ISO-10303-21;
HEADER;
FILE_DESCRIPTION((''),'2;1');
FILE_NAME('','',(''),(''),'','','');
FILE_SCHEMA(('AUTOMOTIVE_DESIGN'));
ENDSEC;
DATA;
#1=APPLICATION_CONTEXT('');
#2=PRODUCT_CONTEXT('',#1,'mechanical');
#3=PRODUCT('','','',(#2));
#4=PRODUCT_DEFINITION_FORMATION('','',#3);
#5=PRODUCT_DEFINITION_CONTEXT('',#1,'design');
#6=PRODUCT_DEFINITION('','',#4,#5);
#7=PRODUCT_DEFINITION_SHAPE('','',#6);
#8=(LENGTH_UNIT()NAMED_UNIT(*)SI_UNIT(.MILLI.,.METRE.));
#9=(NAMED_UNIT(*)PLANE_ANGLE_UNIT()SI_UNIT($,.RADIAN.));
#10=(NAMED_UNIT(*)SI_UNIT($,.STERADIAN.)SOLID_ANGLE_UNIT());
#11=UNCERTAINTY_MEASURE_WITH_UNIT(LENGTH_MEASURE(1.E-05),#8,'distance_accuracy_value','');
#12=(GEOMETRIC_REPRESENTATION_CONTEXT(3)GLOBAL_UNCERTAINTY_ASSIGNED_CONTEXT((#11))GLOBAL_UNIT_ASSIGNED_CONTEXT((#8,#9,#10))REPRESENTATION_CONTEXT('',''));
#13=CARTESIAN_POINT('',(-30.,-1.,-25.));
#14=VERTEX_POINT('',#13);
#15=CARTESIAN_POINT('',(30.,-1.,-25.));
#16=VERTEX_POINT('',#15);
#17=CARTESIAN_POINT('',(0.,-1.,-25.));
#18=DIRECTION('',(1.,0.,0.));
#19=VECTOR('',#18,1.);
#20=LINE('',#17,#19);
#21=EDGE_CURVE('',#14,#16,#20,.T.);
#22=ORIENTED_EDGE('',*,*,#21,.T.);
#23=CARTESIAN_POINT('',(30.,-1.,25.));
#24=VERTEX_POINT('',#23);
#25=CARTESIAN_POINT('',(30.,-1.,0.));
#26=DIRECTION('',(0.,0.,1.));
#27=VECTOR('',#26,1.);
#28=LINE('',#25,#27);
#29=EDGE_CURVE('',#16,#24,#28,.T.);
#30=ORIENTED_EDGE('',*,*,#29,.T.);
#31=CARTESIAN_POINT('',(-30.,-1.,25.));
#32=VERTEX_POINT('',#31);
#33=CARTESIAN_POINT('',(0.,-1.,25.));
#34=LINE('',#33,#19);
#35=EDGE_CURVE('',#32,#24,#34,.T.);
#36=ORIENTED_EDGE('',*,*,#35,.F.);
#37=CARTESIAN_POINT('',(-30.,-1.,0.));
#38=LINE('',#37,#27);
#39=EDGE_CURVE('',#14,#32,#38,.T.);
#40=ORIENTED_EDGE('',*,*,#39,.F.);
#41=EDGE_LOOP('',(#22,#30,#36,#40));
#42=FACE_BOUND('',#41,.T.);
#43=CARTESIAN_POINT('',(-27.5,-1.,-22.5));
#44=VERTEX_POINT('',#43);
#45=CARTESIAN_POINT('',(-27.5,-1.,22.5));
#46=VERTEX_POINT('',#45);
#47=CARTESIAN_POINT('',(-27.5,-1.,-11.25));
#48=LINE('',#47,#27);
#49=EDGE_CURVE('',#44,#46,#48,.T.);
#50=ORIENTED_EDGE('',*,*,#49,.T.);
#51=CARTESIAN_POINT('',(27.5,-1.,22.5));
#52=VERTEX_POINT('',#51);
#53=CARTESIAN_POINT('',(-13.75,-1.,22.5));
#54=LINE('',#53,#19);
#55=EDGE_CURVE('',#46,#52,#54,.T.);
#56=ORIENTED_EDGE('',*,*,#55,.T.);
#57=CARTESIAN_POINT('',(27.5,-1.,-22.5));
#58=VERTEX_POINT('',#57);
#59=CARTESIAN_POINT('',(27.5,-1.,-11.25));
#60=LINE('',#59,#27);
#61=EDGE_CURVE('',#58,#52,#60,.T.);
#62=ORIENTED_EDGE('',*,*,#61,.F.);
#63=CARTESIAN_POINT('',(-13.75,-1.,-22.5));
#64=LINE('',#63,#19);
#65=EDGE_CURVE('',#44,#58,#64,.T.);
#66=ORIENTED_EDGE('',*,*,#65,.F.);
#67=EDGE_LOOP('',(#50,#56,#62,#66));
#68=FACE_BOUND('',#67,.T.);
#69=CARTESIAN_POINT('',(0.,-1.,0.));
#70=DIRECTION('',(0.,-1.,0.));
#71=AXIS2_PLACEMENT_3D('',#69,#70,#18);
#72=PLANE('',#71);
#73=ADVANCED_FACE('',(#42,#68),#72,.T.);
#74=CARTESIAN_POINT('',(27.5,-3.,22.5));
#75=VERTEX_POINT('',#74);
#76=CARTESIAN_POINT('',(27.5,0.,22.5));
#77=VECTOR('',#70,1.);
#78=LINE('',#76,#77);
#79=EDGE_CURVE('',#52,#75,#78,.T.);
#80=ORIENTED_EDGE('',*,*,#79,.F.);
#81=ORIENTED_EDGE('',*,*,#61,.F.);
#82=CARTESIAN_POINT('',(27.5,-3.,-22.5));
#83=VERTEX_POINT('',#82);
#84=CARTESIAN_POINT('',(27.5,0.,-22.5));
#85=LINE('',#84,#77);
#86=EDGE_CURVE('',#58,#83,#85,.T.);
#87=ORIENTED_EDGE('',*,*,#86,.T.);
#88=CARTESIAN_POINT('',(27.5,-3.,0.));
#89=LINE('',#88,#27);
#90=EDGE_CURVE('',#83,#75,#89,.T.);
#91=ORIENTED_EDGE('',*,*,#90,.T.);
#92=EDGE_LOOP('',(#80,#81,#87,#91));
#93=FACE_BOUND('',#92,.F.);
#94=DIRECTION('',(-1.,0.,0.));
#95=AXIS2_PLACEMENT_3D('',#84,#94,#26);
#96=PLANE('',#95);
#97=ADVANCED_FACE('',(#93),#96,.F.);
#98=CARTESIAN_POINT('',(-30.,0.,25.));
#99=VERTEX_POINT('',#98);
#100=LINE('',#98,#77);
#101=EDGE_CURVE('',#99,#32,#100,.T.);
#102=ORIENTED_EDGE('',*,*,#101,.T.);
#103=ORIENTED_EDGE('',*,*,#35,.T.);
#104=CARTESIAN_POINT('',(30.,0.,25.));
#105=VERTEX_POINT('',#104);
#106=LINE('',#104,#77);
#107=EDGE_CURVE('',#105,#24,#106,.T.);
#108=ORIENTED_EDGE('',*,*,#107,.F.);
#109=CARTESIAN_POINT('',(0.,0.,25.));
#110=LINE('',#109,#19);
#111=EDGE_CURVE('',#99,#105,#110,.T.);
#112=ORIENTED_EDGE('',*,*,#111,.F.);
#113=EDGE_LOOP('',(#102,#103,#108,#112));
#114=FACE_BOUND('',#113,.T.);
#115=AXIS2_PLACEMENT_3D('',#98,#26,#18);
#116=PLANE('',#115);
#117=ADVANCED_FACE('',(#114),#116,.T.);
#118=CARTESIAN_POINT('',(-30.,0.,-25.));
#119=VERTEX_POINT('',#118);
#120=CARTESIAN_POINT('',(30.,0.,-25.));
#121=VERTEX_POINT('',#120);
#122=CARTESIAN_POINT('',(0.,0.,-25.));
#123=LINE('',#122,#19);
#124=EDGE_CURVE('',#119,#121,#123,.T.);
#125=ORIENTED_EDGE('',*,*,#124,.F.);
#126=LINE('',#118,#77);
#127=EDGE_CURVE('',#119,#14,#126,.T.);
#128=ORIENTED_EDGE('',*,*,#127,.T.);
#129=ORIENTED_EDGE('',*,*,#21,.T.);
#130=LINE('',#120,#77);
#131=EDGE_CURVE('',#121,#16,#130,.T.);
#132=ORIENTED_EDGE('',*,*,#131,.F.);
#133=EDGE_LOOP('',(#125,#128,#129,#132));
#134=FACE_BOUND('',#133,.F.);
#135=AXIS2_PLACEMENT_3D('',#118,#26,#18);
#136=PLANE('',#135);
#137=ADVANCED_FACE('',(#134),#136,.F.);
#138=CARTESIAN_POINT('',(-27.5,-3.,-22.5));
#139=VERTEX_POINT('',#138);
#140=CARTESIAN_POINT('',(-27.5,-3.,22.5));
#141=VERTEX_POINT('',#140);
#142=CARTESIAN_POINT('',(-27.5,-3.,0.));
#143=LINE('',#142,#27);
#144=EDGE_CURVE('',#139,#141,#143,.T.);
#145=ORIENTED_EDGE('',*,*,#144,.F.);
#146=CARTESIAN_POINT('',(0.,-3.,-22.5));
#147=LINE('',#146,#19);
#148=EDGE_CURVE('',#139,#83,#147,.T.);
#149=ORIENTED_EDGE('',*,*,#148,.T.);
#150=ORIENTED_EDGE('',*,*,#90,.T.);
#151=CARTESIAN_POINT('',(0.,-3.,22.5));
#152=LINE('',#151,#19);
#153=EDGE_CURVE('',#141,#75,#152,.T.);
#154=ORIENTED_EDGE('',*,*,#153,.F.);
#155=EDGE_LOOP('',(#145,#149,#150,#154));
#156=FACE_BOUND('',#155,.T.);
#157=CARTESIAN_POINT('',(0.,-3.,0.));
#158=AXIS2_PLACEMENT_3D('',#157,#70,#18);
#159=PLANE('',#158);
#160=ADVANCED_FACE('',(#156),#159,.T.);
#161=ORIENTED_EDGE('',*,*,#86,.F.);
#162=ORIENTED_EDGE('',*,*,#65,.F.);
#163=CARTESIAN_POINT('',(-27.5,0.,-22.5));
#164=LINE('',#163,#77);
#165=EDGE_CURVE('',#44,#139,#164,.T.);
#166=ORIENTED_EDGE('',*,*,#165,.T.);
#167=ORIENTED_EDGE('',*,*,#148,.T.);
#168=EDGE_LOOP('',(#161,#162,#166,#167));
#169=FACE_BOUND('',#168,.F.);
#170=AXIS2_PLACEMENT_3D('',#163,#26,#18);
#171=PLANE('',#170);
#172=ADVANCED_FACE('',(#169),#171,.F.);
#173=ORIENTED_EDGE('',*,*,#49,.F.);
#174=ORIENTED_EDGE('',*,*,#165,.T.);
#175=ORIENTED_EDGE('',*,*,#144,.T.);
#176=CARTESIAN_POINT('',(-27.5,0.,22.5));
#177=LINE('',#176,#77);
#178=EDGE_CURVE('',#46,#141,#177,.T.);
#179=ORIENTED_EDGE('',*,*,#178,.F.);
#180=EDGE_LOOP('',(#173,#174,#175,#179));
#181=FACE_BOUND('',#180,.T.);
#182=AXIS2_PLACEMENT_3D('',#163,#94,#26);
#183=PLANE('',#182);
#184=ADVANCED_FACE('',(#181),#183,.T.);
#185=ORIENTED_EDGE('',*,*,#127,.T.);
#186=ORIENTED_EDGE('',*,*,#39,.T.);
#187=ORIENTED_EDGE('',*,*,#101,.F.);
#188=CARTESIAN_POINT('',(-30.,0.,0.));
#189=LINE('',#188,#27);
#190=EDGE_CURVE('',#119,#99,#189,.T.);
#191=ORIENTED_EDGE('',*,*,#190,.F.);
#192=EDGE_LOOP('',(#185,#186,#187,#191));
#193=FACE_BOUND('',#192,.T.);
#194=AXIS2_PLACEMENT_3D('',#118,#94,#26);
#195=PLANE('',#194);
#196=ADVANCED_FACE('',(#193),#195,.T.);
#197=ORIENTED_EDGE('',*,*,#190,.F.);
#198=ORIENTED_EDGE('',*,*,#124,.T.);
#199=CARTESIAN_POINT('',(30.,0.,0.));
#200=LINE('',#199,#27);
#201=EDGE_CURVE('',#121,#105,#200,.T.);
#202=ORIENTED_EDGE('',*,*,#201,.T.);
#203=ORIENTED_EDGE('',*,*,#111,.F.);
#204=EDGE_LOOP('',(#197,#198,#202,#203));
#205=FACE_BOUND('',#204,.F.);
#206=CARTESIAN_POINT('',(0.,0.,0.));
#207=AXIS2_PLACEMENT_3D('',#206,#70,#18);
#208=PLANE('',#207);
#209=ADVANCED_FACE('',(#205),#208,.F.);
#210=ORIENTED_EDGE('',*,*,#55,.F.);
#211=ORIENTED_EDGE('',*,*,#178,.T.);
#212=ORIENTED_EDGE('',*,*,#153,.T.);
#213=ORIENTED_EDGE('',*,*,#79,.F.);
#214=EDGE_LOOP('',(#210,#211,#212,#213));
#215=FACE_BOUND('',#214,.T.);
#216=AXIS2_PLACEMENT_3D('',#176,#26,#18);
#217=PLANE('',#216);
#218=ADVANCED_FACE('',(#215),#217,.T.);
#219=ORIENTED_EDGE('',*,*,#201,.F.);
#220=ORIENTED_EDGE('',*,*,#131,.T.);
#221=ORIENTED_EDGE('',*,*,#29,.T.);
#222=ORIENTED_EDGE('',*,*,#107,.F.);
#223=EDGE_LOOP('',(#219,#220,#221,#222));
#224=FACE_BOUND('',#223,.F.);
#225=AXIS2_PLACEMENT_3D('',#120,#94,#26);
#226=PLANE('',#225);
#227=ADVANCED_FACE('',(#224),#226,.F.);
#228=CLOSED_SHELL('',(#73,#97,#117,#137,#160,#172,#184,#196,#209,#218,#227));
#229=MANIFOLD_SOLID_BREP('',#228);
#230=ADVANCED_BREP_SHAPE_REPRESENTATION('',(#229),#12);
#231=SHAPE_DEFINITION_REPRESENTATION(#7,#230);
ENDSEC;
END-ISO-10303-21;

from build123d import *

# Parameters (mm, degrees)
F1_W     = 55
F1_H     = 45
F2_DEPTH = 3
F0_W     = 60
F0_H     = 50
F3_DEPTH = 1


with BuildPart() as f2:
    # F1 (on face) → F2 (new body)
    with BuildSketch(Plane.XZ):
        Rectangle(F1_W, F1_H)
    extrude(amount=F2_DEPTH)

    # F0 (on Front) → F3 (join)
    with BuildSketch(Plane.XZ):
        Rectangle(F0_W, F0_H)
    extrude(amount=F3_DEPTH)


solid = f2.part
